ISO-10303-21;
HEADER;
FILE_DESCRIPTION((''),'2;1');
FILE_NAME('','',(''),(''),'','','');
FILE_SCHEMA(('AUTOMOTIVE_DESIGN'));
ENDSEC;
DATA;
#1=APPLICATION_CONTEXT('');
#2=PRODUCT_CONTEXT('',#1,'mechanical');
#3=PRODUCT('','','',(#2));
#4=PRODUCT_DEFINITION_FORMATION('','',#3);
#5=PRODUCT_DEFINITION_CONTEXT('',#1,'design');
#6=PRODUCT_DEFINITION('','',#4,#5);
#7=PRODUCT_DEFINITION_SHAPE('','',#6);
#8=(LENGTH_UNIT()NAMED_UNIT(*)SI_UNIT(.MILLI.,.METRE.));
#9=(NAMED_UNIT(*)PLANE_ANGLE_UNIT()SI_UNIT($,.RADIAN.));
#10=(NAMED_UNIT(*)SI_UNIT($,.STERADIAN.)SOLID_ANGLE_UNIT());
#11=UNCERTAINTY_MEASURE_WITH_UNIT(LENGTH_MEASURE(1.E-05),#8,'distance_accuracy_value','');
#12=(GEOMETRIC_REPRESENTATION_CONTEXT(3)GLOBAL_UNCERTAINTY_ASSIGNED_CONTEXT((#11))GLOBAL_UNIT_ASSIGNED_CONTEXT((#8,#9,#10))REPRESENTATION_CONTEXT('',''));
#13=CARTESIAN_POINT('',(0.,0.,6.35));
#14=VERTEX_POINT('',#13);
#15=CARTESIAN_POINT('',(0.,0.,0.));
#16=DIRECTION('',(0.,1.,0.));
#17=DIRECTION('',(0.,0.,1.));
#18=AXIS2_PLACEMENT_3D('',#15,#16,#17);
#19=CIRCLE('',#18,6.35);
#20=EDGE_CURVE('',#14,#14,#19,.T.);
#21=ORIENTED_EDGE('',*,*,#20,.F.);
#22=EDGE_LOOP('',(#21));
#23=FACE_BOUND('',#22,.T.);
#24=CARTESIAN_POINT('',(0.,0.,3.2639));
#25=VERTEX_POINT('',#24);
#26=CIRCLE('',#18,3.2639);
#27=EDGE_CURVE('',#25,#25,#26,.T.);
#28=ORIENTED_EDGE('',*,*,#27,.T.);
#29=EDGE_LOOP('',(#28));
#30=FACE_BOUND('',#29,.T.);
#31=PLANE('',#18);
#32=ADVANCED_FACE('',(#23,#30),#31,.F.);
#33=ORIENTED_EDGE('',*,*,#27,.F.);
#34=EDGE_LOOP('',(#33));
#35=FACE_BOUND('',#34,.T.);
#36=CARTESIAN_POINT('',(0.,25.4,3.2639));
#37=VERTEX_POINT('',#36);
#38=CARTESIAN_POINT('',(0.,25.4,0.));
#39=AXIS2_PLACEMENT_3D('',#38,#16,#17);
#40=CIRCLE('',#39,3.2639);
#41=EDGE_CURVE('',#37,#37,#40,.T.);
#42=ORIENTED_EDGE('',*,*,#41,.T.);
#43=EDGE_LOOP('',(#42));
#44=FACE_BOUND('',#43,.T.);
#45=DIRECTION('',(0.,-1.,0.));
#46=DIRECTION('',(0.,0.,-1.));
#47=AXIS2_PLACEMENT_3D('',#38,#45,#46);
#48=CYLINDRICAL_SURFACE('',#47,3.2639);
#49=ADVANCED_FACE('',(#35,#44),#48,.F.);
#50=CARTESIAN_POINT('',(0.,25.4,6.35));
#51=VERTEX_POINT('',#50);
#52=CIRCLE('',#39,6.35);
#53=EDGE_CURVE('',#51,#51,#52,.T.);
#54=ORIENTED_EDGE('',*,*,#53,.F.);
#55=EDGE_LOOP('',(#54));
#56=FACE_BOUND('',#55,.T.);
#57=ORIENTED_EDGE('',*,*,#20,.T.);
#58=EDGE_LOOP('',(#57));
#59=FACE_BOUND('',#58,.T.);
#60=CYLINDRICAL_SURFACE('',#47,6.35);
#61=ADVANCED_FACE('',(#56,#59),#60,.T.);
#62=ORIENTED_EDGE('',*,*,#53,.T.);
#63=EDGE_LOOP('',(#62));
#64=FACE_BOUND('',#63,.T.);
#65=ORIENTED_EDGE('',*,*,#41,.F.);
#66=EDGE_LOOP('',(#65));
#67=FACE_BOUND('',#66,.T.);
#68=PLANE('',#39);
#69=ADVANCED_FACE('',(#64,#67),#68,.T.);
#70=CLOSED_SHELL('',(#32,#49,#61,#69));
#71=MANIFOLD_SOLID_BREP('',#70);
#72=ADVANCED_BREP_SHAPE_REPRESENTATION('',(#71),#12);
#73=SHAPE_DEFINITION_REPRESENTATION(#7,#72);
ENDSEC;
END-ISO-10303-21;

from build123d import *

# Parameters (mm, degrees)
SKETCH1_R           = 6.35
SKETCH1_R_2         = 3.2639
BOSS_EXTRUDE1_DEPTH = 25.4


with BuildPart() as part:
    # Sketch1 → Boss-Extrude1 (new body)
    with BuildSketch(Plane(origin=(0, 0, 0), x_dir=(1, 0, 0), z_dir=(0, 1, 0))):
        Circle(SKETCH1_R)
        Circle(SKETCH1_R_2, mode=Mode.SUBTRACT)
    extrude(amount=BOSS_EXTRUDE1_DEPTH)


solid = part.part
